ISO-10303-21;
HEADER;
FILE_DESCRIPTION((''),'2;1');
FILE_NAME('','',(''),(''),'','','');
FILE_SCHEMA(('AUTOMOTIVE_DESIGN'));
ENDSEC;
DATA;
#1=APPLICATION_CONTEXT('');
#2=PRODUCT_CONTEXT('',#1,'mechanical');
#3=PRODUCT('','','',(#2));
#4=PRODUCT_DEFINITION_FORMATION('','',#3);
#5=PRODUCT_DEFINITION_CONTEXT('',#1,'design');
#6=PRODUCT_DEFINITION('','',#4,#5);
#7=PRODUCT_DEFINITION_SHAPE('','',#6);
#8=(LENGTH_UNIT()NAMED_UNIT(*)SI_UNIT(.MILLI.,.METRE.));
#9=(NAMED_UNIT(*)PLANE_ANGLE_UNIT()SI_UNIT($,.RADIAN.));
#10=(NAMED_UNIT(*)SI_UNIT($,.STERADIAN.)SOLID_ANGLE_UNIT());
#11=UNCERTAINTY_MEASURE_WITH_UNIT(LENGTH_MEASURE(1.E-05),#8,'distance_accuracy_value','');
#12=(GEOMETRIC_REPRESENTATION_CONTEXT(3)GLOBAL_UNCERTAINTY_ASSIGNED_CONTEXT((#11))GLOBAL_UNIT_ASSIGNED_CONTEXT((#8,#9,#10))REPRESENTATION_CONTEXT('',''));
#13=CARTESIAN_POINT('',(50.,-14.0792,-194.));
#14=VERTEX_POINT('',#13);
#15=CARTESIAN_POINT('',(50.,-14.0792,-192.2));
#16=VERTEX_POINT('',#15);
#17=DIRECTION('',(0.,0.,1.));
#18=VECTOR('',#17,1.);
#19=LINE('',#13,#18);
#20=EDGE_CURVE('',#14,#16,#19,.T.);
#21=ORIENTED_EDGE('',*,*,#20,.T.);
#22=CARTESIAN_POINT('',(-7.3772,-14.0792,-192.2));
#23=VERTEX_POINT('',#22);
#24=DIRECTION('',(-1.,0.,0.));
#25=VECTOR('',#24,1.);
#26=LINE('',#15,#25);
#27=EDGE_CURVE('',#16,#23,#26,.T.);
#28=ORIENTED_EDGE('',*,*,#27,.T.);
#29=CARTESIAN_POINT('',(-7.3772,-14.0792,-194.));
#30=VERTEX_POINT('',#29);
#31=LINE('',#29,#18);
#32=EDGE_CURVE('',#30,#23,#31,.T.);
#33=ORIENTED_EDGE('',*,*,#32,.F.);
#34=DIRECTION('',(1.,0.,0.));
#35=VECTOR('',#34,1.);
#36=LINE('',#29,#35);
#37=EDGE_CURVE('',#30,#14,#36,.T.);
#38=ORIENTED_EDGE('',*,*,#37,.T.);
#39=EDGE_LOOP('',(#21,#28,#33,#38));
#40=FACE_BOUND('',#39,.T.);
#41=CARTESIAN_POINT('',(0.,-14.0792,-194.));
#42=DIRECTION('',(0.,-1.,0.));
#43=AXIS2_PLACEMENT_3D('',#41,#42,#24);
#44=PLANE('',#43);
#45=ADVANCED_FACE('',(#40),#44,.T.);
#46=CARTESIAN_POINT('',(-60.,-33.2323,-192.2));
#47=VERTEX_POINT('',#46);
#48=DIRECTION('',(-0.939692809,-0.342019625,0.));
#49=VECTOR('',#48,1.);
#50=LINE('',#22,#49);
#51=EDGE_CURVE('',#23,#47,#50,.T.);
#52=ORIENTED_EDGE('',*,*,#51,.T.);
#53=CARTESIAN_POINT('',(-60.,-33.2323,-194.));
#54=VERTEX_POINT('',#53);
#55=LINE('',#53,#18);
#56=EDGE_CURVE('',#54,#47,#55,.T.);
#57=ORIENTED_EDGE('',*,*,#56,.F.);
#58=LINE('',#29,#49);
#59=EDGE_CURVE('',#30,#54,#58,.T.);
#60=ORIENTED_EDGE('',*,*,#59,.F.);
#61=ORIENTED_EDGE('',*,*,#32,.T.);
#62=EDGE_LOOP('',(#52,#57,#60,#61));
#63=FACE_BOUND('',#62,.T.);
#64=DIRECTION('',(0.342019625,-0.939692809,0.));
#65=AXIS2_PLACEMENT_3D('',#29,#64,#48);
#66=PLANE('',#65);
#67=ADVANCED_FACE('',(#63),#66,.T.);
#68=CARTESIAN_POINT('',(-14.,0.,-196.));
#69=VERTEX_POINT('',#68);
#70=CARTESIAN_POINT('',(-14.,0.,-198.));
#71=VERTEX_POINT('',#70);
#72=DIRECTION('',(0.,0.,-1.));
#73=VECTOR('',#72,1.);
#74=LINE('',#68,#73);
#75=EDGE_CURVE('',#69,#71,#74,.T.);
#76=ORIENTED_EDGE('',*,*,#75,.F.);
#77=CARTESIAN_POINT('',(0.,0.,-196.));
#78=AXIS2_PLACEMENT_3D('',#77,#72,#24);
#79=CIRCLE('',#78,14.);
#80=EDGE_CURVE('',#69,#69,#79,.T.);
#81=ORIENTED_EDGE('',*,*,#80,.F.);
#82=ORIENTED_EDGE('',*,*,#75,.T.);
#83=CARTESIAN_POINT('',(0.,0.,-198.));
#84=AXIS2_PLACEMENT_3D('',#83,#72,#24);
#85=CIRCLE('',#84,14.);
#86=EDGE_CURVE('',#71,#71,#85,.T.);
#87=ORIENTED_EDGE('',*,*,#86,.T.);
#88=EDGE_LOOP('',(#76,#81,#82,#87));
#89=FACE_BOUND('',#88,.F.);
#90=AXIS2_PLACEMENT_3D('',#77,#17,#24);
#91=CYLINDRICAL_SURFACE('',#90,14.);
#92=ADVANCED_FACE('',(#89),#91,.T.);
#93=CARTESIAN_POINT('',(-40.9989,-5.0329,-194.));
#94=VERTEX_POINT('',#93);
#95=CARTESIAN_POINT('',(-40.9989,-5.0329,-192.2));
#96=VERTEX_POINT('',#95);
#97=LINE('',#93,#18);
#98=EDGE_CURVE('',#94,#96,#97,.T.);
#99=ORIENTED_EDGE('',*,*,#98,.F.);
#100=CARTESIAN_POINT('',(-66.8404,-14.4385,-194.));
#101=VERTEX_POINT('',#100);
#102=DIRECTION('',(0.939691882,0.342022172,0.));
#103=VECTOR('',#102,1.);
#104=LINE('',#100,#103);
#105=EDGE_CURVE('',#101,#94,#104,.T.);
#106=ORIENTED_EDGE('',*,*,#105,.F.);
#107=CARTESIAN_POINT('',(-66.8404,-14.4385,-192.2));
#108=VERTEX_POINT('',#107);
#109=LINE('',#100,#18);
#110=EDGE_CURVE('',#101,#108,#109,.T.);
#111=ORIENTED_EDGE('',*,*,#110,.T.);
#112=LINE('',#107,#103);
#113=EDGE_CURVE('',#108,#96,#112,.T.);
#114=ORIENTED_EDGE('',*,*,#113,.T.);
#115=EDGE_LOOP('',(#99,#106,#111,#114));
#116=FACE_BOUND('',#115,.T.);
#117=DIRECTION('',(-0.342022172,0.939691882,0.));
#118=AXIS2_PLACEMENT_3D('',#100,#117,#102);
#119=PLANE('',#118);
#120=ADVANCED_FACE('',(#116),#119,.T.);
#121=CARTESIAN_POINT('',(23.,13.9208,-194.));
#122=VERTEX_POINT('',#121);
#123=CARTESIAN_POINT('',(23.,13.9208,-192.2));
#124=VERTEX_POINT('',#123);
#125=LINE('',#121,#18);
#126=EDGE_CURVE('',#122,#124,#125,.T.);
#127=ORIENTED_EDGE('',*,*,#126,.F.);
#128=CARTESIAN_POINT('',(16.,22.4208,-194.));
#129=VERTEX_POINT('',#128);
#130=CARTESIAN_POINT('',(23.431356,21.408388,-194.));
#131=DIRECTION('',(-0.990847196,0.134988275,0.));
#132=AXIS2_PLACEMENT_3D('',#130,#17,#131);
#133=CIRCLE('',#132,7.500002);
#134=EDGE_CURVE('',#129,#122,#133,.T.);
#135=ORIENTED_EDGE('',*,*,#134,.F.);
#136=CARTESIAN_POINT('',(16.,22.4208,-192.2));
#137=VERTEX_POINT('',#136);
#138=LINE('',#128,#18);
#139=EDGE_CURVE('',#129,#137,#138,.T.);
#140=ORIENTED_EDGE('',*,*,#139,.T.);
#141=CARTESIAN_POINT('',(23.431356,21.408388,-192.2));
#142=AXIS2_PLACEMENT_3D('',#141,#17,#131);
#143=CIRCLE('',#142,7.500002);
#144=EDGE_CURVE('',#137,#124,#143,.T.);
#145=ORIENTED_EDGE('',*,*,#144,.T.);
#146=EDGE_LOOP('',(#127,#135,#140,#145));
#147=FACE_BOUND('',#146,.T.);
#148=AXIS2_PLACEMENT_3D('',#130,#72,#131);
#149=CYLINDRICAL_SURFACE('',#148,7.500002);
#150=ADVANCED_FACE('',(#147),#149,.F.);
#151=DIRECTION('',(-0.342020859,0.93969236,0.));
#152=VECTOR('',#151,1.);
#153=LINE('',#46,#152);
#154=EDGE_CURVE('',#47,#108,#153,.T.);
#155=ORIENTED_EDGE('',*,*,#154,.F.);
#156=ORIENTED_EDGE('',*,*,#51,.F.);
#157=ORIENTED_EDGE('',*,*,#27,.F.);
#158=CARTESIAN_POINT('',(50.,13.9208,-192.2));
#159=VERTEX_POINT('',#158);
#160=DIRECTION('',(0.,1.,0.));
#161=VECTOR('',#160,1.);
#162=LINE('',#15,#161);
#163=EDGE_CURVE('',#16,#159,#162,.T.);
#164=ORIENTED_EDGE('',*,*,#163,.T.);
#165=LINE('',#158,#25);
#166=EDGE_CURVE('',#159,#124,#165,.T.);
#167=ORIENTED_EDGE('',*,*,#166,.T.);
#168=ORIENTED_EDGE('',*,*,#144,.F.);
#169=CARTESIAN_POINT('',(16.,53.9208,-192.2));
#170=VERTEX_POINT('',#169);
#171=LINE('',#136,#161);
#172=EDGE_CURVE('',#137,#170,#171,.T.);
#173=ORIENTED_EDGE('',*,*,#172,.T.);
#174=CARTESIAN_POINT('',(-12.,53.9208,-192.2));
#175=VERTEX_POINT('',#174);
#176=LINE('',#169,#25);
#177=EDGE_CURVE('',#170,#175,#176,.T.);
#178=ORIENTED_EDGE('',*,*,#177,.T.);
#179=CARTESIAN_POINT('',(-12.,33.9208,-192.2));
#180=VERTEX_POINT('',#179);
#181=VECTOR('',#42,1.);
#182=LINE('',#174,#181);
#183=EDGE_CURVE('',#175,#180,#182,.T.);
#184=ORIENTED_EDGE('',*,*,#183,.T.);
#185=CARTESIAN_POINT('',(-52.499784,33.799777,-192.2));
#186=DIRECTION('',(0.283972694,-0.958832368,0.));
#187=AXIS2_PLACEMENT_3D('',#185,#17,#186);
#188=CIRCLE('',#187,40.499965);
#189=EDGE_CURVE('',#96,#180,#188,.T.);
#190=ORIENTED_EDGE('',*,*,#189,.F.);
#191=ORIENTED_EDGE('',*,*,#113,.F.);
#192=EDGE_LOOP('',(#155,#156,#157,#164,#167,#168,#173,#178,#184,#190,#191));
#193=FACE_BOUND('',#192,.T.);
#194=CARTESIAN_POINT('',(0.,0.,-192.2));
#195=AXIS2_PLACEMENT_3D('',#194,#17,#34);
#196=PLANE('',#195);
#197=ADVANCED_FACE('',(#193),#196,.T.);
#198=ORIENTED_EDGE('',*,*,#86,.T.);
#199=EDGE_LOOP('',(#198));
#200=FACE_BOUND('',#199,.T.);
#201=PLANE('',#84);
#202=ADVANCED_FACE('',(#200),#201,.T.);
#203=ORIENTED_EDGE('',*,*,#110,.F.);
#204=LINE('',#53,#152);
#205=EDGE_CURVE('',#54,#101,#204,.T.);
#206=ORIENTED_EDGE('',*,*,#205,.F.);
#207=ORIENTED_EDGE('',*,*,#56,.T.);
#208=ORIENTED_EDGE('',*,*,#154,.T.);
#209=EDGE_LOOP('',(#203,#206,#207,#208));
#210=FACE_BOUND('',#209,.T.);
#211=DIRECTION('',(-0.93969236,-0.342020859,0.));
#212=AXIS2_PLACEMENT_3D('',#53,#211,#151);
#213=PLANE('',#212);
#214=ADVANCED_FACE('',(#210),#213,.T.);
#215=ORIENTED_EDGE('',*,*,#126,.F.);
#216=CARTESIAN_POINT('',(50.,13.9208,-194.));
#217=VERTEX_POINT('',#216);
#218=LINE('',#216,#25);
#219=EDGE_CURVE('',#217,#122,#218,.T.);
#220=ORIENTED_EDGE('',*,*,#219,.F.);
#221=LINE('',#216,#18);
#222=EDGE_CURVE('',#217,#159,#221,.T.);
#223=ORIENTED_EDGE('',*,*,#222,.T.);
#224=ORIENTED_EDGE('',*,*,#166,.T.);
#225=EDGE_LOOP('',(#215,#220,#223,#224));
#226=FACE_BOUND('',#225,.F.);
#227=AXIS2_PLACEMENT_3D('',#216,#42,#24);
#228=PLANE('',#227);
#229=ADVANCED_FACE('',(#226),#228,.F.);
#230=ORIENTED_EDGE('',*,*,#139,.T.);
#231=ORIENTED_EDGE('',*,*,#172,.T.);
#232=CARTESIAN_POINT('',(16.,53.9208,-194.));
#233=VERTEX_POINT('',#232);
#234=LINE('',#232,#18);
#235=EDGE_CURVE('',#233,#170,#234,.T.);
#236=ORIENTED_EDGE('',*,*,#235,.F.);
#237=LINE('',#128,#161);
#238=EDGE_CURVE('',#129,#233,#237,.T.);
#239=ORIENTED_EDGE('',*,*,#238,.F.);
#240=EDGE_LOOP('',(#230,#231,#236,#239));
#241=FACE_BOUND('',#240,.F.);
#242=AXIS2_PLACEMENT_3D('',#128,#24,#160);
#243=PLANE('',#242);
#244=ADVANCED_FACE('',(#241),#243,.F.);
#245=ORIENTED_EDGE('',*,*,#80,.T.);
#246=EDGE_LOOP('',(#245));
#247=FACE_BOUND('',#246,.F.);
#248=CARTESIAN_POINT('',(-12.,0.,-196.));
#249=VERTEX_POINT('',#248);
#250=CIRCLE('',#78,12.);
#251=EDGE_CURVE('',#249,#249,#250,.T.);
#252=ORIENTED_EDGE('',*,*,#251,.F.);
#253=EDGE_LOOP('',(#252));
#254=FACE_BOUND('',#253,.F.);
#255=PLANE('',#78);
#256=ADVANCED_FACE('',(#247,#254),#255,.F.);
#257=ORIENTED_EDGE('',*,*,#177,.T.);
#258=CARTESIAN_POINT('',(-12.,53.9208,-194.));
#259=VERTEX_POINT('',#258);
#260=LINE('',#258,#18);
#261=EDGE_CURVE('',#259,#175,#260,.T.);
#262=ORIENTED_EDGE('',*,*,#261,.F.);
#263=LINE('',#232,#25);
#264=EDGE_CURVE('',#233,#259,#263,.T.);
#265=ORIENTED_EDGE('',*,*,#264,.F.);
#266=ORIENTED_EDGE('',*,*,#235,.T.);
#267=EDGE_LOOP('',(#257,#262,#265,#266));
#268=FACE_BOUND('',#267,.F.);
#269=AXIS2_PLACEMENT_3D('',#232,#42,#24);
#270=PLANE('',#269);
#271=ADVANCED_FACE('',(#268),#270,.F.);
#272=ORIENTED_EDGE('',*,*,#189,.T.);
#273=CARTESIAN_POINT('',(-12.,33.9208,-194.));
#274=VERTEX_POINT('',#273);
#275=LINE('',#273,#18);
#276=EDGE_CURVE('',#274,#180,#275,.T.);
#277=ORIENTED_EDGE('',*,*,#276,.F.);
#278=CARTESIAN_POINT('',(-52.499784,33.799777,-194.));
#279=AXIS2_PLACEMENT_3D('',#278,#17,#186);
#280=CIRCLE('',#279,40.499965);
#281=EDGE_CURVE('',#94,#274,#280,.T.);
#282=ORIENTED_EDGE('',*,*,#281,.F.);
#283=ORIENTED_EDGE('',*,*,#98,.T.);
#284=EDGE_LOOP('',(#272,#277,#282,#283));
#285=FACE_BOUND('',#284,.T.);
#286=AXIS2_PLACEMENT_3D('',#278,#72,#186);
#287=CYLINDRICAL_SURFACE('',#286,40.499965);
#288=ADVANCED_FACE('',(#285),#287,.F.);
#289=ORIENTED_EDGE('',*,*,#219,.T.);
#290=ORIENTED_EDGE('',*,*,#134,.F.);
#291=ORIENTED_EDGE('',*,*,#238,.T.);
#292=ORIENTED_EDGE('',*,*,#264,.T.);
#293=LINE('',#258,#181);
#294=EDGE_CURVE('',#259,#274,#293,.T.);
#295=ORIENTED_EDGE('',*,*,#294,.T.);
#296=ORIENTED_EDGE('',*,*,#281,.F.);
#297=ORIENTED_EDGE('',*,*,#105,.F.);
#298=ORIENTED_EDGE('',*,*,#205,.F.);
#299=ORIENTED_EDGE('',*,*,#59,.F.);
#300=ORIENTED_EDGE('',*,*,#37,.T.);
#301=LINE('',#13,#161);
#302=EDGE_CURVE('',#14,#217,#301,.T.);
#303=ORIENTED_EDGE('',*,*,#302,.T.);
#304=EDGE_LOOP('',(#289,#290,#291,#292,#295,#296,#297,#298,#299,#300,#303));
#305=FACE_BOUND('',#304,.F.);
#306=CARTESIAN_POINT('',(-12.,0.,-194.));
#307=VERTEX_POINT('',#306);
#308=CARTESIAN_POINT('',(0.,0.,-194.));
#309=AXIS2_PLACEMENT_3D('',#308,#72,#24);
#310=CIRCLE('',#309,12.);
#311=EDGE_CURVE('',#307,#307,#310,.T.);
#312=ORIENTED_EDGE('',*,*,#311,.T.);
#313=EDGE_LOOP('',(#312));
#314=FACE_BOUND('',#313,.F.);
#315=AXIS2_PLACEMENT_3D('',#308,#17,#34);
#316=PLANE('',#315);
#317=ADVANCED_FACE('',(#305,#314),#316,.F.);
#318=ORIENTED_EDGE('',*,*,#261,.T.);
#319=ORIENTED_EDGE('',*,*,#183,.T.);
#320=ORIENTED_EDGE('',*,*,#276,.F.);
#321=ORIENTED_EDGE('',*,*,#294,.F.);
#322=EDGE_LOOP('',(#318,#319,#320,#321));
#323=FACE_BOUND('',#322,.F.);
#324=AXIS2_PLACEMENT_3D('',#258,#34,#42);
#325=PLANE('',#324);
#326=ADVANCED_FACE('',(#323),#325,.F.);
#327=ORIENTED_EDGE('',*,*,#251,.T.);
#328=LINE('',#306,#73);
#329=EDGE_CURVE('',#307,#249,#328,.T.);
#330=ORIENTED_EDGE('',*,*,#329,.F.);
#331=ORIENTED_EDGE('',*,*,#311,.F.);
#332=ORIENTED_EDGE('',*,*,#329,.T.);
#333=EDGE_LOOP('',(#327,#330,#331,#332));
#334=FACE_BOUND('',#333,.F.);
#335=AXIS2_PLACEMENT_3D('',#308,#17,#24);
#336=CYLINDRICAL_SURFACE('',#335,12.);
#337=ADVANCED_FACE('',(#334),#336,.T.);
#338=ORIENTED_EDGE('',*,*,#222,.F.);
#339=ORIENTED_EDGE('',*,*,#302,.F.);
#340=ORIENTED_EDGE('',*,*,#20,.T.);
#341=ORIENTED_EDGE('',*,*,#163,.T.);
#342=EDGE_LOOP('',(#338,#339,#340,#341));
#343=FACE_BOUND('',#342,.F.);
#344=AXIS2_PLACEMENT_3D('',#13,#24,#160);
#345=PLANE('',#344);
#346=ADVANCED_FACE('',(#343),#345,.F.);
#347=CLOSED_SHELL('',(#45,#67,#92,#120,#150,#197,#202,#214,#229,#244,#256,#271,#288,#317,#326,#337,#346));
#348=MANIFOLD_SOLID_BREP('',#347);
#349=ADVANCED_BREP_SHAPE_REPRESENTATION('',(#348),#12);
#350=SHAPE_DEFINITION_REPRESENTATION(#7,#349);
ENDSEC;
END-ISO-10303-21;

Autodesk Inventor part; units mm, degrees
ref_plane "YZ Plane" through (0, 0, 0) normal (1, 0, 0) x (0, 1, 0)
ref_plane "XZ Plane" through (0, 0, 0) normal (0, 1, 0) x (-1, 0, 0)
ref_plane "XY Plane" through (0, 0, 0) normal (0, 0, 1) x (1, 0, 0)
ref_plane "РабПлоскость1" through (0, 0, -194) normal (0, 0, -1) x (-1, 0, 0)
sketch "Эскиз1" plane through (0, 0, -194) normal (0, 0, -1) x (-1, 0, 0)
  circle A0 centre (0, 0) radius 12
  dimension "d0" = 24
extrude "Выдавливание1" add sketch "Эскиз1" along normal blind 2
sketch "Эскиз2" plane through (0, 0, -196) normal (0, 0, -1) x (-1, 0, 0)
  circle A0 centre (0, 0) radius 14
  dimension "d3" = 28
extrude "Выдавливание2" add sketch "Эскиз2" along normal blind 2
sketch "Эскиз3" plane through (0, 0, -194) normal (0, 0, 1) x (1, 0, 0)
  line L0 (0, -14.0792) -> (7.9343, -14.0792)
  arc A0 (-0.2531, 24.5019) -> (-1.2854, 24.456) centre (0.2785, 0.9208) ccw
  line L1 (0.2785, 0.9208) -> (0.2785, 84.4485) construction
  line L2 (50, 13.9208) -> (23, 13.9208)
  line L3 (0, -14.0792) -> (50, -14.0792)
  line L4 (50, -14.0792) -> (50, 13.9208)
  line L5 (50, 13.9208) -> (0, -14.0792) construction
  line L6 (0, 13.9208) -> (50, -14.0792) construction
  line L7 (16, 53.9208) -> (-12, 53.9208)
  line L8 (16, 22.4208) -> (16, 53.9208)
  line L9 (16, 53.9208) -> (-9.7913, 3.9696) construction
  line L10 (-12, 53.9208) -> (16, -5.6793) construction
  arc A1 (16, 22.4208) -> (23, 13.9208) centre (23.4314, 21.4084) ccw
  line L11 (-7.3772, -14.0792) -> (-60, -33.2323)
  line L12 (-60, -33.2323) -> (-66.8404, -14.4385)
  line L13 (-66.8404, -14.4385) -> (-40.9989, -5.0329)
  line L14 (0, -14.0792) -> (-7.3772, -14.0792)
  arc A2 (-40.9989, -5.0329) -> (-12, 33.9208) centre (-52.4998, 33.7998) ccw
  line L15 (-12, 53.9208) -> (-12, 33.9208)
  arc A3 (1.8425, 24.456) -> (0.8102, 24.5019) centre (0.2785, 0.9208) ccw
  point P0 (0, 0)
  point P1 (0, 13.9208)
  point P2 (-24.4429, -0.0792)
  point P3 (-25, 0)
  point P4 (-0.7823, 25.5269)
  point P5 (0, 0)
  point P6 (25, -0.0792)
  point P7 (25.5571, 0)
  point P8 (1.3394, 25.5269)
  dimension "d21" = 28
  dimension "d22" = 28
  dimension "d23" = 20
  dimension "d24" = 50
  dimension "d25" = 110
  dimension "d26" = 160
  dimension "d27" = 40
  dimension "d28" = 27
  dimension "d29" = 31.5
  dimension "d30" = 20
  dimension "d31" = 27.5
  dimension "d32" = 56
  dimension "d33" = 40.5
  dimension "d34" = 7.5
  dimension "d35" = 34
  dimension "d36" = 53
  dimension "d37" = 50
extrude "Выдавливание3" add sketch "Эскиз3" along normal blind 1.8
properties part number "ЛЦМК000002.00.00.00.00.08"
